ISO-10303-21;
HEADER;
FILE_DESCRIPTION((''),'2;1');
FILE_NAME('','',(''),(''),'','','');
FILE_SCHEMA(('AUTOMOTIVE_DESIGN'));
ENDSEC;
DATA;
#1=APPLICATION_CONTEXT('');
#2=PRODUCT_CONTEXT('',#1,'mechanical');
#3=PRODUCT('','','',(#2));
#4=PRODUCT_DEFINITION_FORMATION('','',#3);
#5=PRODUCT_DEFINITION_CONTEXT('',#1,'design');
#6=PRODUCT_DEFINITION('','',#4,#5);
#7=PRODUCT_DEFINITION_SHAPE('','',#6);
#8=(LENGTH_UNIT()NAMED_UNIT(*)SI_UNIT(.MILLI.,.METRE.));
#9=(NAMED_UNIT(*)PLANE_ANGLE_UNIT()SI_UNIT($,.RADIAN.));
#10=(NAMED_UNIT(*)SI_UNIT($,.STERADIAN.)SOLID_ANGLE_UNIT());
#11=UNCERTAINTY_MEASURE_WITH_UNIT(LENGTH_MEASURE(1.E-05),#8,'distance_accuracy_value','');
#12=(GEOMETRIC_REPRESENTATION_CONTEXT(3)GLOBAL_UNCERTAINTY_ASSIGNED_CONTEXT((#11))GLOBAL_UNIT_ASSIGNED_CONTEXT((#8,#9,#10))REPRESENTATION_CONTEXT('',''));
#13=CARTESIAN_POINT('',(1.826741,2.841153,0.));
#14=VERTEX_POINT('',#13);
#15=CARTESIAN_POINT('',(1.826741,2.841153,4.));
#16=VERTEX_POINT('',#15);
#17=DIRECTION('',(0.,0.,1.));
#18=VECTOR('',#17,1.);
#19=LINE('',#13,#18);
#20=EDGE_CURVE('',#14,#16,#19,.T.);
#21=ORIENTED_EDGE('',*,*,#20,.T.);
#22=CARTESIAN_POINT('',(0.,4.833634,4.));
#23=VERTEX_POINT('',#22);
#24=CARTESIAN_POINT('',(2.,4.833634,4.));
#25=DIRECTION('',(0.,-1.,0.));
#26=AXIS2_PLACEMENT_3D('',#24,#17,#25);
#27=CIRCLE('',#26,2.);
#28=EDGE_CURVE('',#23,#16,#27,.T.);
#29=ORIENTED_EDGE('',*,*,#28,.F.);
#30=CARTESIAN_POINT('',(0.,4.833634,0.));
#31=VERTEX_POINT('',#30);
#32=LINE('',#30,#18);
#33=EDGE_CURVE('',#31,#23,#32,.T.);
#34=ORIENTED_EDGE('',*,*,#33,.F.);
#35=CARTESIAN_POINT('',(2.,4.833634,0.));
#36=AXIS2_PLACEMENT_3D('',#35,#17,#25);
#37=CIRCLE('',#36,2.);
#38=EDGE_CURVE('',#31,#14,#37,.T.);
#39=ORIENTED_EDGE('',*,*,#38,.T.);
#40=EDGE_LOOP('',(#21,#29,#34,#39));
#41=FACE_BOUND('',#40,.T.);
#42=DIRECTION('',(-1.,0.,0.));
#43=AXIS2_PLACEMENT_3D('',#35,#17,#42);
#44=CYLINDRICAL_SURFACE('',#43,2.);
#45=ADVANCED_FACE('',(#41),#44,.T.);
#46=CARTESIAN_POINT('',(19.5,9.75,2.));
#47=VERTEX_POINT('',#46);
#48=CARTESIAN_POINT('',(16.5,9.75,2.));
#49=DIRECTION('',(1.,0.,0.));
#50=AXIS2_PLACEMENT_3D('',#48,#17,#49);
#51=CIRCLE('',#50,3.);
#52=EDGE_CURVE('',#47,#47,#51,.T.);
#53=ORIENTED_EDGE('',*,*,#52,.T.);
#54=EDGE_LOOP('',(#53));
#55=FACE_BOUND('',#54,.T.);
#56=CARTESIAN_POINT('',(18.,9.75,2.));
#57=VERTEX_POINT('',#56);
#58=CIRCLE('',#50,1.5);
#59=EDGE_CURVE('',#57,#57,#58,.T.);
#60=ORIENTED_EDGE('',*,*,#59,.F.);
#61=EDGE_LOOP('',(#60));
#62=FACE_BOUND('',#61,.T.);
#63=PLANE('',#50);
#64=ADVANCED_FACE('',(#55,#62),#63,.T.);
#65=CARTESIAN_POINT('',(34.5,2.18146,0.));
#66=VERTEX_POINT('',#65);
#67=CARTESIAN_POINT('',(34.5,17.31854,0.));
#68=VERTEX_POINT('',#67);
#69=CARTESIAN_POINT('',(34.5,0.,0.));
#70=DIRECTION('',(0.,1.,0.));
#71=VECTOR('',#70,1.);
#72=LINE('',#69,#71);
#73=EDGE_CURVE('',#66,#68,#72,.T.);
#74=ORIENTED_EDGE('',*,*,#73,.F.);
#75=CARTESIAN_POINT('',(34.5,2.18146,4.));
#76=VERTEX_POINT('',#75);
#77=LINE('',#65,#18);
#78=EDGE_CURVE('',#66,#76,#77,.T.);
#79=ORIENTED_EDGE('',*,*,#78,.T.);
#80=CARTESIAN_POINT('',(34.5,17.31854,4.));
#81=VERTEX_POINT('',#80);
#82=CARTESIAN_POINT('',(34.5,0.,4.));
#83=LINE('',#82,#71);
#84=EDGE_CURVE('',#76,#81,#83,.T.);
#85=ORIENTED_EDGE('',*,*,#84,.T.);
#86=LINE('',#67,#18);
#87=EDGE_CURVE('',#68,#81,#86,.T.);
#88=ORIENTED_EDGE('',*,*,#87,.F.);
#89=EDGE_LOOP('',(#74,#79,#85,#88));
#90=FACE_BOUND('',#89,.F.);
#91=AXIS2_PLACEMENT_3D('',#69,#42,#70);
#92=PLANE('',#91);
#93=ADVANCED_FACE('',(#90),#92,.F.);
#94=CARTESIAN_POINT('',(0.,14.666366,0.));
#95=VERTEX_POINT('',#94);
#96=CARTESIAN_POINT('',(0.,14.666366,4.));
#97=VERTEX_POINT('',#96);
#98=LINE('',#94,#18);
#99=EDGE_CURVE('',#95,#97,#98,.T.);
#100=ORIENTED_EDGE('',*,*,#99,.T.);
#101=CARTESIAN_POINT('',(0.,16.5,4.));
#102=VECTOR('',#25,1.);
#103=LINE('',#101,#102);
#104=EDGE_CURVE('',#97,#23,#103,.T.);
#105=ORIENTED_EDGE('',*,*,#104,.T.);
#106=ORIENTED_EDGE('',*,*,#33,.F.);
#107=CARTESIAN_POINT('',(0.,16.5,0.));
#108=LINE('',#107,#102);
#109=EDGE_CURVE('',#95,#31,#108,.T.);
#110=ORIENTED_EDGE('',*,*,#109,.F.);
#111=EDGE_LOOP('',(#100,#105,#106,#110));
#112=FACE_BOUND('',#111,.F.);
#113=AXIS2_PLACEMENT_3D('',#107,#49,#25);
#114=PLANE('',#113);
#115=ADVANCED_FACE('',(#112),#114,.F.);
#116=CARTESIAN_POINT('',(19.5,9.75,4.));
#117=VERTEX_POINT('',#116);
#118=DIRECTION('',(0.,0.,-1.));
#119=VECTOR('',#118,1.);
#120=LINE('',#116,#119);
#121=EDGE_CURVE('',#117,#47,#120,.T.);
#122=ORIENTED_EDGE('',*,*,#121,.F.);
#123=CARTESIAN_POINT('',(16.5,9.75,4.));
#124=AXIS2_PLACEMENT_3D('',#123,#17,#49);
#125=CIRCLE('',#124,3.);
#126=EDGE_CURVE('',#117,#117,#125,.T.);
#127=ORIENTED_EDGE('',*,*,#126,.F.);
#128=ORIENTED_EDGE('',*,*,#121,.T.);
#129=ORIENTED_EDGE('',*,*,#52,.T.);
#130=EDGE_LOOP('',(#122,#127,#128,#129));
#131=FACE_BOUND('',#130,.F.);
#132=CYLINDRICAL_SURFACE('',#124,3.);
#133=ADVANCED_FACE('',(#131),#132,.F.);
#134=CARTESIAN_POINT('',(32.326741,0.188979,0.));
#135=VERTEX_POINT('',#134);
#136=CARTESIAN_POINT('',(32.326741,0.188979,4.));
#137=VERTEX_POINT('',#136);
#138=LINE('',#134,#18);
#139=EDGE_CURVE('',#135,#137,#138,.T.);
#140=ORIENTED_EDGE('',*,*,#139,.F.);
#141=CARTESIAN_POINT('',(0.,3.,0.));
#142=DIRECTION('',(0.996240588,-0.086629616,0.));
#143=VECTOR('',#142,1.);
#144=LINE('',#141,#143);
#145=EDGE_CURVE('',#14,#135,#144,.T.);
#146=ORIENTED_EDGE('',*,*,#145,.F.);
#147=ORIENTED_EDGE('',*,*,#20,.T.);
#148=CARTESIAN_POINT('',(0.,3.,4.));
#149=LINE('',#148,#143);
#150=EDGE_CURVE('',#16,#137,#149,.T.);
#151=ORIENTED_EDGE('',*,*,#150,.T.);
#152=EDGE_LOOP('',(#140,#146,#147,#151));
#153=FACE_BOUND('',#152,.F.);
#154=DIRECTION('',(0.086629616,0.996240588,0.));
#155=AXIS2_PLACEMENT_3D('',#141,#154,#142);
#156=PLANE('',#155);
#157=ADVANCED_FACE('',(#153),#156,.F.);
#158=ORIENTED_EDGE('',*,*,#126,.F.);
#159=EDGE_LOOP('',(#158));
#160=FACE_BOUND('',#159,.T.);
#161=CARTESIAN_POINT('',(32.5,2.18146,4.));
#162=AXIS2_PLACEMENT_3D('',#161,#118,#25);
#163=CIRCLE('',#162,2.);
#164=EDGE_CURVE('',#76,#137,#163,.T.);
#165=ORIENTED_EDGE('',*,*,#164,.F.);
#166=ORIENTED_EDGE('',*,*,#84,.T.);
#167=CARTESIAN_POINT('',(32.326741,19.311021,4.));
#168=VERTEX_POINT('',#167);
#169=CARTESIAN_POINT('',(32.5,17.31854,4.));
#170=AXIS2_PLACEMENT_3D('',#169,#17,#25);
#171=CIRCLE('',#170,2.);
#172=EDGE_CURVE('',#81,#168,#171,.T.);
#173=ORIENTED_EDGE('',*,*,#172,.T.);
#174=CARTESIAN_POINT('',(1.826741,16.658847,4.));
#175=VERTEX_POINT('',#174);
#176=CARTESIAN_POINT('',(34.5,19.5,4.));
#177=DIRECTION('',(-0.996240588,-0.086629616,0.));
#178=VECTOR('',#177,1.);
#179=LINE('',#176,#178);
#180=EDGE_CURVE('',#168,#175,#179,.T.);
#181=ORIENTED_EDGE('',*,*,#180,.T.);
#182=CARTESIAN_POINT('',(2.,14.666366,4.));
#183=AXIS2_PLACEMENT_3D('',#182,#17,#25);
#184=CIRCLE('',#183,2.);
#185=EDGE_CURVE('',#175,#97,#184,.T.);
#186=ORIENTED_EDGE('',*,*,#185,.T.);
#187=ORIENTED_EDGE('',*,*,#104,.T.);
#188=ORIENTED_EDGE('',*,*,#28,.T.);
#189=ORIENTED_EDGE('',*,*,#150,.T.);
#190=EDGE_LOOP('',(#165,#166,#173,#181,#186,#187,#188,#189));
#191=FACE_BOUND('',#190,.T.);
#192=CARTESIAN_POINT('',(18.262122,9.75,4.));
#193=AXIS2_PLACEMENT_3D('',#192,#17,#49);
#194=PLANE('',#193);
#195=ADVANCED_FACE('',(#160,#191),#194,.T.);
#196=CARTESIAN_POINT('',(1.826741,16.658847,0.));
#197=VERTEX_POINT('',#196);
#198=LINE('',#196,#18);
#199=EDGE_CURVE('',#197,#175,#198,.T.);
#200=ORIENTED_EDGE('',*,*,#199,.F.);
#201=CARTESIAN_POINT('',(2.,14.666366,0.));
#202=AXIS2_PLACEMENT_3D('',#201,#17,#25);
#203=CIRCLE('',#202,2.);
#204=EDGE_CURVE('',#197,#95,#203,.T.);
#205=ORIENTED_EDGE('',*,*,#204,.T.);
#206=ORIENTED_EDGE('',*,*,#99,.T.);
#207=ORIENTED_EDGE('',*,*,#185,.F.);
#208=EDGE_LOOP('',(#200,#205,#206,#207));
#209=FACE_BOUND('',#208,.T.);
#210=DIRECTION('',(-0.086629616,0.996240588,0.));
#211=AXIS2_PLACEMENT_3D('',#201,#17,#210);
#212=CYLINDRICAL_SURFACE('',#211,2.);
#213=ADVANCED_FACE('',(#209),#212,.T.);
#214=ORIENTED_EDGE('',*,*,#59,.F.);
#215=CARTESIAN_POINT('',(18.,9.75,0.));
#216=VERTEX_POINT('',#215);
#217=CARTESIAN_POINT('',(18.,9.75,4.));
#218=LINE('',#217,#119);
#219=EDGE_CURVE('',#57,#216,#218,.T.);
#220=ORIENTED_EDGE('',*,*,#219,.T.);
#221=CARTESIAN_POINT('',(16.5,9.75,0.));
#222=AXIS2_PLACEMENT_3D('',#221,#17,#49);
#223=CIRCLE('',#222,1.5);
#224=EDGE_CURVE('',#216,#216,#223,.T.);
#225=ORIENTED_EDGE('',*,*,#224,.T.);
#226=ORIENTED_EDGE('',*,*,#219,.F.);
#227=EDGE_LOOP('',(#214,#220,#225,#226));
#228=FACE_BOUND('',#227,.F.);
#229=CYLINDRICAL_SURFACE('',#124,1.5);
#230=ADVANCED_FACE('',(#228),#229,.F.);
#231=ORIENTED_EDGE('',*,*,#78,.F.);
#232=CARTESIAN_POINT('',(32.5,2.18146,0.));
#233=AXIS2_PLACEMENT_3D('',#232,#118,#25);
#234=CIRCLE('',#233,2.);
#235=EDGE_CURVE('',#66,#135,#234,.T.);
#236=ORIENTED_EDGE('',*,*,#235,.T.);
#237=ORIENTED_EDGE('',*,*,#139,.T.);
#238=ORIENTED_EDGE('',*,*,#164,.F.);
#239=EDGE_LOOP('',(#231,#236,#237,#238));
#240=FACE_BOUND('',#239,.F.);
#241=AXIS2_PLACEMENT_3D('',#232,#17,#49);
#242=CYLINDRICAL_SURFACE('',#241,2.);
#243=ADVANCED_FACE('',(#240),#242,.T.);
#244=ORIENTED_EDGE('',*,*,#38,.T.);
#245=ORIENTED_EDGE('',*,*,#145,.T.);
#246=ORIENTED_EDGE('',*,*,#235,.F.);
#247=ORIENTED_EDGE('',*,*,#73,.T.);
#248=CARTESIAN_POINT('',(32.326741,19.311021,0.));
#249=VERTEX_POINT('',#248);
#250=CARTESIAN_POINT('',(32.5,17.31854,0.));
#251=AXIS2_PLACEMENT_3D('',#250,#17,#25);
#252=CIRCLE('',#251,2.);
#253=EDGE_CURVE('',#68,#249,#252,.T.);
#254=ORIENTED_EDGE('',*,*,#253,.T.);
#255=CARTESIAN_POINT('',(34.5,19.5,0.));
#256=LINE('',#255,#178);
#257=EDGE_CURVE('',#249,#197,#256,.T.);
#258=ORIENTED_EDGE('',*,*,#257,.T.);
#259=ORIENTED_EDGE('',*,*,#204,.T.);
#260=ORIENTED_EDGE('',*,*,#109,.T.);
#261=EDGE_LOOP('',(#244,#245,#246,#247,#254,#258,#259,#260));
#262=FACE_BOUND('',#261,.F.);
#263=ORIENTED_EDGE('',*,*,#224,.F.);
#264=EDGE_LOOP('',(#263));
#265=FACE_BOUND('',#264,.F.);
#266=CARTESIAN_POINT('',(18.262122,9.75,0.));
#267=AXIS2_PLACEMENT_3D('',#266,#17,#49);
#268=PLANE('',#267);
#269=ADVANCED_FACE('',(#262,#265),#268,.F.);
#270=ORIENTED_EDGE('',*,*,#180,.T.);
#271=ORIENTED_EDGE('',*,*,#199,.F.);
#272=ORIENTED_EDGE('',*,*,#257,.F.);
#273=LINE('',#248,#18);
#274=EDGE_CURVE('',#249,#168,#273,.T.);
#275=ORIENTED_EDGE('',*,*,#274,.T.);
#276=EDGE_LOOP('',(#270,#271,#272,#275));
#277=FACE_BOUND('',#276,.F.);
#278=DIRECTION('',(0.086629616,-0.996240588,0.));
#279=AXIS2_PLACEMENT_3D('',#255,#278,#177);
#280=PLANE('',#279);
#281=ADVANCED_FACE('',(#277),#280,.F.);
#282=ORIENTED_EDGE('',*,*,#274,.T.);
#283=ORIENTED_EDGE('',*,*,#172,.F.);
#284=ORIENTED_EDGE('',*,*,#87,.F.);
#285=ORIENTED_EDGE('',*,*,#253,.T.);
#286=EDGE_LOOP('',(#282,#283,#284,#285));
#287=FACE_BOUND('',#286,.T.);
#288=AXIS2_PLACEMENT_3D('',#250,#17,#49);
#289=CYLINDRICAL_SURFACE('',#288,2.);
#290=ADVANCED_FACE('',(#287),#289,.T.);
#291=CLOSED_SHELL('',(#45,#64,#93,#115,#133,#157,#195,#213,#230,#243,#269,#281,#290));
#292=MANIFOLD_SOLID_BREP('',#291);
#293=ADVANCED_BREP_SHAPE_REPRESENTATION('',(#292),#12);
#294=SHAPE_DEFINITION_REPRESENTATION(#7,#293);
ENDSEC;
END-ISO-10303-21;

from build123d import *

# Parameters (mm, degrees)
F1_DEPTH = 4
F2_R     = 3
F2_R_2   = 1.5
F3_DEPTH = 2
F4_DEPTH = 4
F5_R     = 2
F6_R     = 2
F7_R     = 2
F8_R     = 2


with BuildPart() as f1:
    # F0 (on Top) → F1 (new body)
    with BuildSketch(Plane.XY):
        Polygon((34.5, 0), (34.5, 19.5), (0, 16.5), (0, 3), align=None)
    extrude(amount=F1_DEPTH)

    # F2 (on face) → F3 (cut)
    with BuildSketch(Plane.XY.offset(4)):
        with Locations((16.5, 9.75)):
            Circle(F2_R)
        with Locations((16.5, 9.75)):
            Circle(F2_R_2, mode=Mode.SUBTRACT)
    extrude(amount=-F3_DEPTH, mode=Mode.SUBTRACT)

    # F4 (cut): a face of the model
    f4_faces = [f1.faces().sort_by_distance(p)[0] for p in [
        (16.5, 9.75, 4),
    ]]
    extrude(f4_faces, amount=-F4_DEPTH, mode=Mode.SUBTRACT)

    # F5
    f5_edges = [f1.edges().sort_by_distance(p)[0] for p in [
        (34.5, 0, 2),
    ]]
    fillet(f5_edges, radius=F5_R)

    # F6
    f6_edges = [f1.edges().sort_by_distance(p)[0] for p in [
        (34.5, 19.5, 2),
    ]]
    fillet(f6_edges, radius=F6_R)

    # F7
    f7_edges = [f1.edges().sort_by_distance(p)[0] for p in [
        (0, 16.5, 2),
    ]]
    fillet(f7_edges, radius=F7_R)

    # F8
    f8_edges = [f1.edges().sort_by_distance(p)[0] for p in [
        (0, 3, 2),
    ]]
    fillet(f8_edges, radius=F8_R)


solid = f1.part
